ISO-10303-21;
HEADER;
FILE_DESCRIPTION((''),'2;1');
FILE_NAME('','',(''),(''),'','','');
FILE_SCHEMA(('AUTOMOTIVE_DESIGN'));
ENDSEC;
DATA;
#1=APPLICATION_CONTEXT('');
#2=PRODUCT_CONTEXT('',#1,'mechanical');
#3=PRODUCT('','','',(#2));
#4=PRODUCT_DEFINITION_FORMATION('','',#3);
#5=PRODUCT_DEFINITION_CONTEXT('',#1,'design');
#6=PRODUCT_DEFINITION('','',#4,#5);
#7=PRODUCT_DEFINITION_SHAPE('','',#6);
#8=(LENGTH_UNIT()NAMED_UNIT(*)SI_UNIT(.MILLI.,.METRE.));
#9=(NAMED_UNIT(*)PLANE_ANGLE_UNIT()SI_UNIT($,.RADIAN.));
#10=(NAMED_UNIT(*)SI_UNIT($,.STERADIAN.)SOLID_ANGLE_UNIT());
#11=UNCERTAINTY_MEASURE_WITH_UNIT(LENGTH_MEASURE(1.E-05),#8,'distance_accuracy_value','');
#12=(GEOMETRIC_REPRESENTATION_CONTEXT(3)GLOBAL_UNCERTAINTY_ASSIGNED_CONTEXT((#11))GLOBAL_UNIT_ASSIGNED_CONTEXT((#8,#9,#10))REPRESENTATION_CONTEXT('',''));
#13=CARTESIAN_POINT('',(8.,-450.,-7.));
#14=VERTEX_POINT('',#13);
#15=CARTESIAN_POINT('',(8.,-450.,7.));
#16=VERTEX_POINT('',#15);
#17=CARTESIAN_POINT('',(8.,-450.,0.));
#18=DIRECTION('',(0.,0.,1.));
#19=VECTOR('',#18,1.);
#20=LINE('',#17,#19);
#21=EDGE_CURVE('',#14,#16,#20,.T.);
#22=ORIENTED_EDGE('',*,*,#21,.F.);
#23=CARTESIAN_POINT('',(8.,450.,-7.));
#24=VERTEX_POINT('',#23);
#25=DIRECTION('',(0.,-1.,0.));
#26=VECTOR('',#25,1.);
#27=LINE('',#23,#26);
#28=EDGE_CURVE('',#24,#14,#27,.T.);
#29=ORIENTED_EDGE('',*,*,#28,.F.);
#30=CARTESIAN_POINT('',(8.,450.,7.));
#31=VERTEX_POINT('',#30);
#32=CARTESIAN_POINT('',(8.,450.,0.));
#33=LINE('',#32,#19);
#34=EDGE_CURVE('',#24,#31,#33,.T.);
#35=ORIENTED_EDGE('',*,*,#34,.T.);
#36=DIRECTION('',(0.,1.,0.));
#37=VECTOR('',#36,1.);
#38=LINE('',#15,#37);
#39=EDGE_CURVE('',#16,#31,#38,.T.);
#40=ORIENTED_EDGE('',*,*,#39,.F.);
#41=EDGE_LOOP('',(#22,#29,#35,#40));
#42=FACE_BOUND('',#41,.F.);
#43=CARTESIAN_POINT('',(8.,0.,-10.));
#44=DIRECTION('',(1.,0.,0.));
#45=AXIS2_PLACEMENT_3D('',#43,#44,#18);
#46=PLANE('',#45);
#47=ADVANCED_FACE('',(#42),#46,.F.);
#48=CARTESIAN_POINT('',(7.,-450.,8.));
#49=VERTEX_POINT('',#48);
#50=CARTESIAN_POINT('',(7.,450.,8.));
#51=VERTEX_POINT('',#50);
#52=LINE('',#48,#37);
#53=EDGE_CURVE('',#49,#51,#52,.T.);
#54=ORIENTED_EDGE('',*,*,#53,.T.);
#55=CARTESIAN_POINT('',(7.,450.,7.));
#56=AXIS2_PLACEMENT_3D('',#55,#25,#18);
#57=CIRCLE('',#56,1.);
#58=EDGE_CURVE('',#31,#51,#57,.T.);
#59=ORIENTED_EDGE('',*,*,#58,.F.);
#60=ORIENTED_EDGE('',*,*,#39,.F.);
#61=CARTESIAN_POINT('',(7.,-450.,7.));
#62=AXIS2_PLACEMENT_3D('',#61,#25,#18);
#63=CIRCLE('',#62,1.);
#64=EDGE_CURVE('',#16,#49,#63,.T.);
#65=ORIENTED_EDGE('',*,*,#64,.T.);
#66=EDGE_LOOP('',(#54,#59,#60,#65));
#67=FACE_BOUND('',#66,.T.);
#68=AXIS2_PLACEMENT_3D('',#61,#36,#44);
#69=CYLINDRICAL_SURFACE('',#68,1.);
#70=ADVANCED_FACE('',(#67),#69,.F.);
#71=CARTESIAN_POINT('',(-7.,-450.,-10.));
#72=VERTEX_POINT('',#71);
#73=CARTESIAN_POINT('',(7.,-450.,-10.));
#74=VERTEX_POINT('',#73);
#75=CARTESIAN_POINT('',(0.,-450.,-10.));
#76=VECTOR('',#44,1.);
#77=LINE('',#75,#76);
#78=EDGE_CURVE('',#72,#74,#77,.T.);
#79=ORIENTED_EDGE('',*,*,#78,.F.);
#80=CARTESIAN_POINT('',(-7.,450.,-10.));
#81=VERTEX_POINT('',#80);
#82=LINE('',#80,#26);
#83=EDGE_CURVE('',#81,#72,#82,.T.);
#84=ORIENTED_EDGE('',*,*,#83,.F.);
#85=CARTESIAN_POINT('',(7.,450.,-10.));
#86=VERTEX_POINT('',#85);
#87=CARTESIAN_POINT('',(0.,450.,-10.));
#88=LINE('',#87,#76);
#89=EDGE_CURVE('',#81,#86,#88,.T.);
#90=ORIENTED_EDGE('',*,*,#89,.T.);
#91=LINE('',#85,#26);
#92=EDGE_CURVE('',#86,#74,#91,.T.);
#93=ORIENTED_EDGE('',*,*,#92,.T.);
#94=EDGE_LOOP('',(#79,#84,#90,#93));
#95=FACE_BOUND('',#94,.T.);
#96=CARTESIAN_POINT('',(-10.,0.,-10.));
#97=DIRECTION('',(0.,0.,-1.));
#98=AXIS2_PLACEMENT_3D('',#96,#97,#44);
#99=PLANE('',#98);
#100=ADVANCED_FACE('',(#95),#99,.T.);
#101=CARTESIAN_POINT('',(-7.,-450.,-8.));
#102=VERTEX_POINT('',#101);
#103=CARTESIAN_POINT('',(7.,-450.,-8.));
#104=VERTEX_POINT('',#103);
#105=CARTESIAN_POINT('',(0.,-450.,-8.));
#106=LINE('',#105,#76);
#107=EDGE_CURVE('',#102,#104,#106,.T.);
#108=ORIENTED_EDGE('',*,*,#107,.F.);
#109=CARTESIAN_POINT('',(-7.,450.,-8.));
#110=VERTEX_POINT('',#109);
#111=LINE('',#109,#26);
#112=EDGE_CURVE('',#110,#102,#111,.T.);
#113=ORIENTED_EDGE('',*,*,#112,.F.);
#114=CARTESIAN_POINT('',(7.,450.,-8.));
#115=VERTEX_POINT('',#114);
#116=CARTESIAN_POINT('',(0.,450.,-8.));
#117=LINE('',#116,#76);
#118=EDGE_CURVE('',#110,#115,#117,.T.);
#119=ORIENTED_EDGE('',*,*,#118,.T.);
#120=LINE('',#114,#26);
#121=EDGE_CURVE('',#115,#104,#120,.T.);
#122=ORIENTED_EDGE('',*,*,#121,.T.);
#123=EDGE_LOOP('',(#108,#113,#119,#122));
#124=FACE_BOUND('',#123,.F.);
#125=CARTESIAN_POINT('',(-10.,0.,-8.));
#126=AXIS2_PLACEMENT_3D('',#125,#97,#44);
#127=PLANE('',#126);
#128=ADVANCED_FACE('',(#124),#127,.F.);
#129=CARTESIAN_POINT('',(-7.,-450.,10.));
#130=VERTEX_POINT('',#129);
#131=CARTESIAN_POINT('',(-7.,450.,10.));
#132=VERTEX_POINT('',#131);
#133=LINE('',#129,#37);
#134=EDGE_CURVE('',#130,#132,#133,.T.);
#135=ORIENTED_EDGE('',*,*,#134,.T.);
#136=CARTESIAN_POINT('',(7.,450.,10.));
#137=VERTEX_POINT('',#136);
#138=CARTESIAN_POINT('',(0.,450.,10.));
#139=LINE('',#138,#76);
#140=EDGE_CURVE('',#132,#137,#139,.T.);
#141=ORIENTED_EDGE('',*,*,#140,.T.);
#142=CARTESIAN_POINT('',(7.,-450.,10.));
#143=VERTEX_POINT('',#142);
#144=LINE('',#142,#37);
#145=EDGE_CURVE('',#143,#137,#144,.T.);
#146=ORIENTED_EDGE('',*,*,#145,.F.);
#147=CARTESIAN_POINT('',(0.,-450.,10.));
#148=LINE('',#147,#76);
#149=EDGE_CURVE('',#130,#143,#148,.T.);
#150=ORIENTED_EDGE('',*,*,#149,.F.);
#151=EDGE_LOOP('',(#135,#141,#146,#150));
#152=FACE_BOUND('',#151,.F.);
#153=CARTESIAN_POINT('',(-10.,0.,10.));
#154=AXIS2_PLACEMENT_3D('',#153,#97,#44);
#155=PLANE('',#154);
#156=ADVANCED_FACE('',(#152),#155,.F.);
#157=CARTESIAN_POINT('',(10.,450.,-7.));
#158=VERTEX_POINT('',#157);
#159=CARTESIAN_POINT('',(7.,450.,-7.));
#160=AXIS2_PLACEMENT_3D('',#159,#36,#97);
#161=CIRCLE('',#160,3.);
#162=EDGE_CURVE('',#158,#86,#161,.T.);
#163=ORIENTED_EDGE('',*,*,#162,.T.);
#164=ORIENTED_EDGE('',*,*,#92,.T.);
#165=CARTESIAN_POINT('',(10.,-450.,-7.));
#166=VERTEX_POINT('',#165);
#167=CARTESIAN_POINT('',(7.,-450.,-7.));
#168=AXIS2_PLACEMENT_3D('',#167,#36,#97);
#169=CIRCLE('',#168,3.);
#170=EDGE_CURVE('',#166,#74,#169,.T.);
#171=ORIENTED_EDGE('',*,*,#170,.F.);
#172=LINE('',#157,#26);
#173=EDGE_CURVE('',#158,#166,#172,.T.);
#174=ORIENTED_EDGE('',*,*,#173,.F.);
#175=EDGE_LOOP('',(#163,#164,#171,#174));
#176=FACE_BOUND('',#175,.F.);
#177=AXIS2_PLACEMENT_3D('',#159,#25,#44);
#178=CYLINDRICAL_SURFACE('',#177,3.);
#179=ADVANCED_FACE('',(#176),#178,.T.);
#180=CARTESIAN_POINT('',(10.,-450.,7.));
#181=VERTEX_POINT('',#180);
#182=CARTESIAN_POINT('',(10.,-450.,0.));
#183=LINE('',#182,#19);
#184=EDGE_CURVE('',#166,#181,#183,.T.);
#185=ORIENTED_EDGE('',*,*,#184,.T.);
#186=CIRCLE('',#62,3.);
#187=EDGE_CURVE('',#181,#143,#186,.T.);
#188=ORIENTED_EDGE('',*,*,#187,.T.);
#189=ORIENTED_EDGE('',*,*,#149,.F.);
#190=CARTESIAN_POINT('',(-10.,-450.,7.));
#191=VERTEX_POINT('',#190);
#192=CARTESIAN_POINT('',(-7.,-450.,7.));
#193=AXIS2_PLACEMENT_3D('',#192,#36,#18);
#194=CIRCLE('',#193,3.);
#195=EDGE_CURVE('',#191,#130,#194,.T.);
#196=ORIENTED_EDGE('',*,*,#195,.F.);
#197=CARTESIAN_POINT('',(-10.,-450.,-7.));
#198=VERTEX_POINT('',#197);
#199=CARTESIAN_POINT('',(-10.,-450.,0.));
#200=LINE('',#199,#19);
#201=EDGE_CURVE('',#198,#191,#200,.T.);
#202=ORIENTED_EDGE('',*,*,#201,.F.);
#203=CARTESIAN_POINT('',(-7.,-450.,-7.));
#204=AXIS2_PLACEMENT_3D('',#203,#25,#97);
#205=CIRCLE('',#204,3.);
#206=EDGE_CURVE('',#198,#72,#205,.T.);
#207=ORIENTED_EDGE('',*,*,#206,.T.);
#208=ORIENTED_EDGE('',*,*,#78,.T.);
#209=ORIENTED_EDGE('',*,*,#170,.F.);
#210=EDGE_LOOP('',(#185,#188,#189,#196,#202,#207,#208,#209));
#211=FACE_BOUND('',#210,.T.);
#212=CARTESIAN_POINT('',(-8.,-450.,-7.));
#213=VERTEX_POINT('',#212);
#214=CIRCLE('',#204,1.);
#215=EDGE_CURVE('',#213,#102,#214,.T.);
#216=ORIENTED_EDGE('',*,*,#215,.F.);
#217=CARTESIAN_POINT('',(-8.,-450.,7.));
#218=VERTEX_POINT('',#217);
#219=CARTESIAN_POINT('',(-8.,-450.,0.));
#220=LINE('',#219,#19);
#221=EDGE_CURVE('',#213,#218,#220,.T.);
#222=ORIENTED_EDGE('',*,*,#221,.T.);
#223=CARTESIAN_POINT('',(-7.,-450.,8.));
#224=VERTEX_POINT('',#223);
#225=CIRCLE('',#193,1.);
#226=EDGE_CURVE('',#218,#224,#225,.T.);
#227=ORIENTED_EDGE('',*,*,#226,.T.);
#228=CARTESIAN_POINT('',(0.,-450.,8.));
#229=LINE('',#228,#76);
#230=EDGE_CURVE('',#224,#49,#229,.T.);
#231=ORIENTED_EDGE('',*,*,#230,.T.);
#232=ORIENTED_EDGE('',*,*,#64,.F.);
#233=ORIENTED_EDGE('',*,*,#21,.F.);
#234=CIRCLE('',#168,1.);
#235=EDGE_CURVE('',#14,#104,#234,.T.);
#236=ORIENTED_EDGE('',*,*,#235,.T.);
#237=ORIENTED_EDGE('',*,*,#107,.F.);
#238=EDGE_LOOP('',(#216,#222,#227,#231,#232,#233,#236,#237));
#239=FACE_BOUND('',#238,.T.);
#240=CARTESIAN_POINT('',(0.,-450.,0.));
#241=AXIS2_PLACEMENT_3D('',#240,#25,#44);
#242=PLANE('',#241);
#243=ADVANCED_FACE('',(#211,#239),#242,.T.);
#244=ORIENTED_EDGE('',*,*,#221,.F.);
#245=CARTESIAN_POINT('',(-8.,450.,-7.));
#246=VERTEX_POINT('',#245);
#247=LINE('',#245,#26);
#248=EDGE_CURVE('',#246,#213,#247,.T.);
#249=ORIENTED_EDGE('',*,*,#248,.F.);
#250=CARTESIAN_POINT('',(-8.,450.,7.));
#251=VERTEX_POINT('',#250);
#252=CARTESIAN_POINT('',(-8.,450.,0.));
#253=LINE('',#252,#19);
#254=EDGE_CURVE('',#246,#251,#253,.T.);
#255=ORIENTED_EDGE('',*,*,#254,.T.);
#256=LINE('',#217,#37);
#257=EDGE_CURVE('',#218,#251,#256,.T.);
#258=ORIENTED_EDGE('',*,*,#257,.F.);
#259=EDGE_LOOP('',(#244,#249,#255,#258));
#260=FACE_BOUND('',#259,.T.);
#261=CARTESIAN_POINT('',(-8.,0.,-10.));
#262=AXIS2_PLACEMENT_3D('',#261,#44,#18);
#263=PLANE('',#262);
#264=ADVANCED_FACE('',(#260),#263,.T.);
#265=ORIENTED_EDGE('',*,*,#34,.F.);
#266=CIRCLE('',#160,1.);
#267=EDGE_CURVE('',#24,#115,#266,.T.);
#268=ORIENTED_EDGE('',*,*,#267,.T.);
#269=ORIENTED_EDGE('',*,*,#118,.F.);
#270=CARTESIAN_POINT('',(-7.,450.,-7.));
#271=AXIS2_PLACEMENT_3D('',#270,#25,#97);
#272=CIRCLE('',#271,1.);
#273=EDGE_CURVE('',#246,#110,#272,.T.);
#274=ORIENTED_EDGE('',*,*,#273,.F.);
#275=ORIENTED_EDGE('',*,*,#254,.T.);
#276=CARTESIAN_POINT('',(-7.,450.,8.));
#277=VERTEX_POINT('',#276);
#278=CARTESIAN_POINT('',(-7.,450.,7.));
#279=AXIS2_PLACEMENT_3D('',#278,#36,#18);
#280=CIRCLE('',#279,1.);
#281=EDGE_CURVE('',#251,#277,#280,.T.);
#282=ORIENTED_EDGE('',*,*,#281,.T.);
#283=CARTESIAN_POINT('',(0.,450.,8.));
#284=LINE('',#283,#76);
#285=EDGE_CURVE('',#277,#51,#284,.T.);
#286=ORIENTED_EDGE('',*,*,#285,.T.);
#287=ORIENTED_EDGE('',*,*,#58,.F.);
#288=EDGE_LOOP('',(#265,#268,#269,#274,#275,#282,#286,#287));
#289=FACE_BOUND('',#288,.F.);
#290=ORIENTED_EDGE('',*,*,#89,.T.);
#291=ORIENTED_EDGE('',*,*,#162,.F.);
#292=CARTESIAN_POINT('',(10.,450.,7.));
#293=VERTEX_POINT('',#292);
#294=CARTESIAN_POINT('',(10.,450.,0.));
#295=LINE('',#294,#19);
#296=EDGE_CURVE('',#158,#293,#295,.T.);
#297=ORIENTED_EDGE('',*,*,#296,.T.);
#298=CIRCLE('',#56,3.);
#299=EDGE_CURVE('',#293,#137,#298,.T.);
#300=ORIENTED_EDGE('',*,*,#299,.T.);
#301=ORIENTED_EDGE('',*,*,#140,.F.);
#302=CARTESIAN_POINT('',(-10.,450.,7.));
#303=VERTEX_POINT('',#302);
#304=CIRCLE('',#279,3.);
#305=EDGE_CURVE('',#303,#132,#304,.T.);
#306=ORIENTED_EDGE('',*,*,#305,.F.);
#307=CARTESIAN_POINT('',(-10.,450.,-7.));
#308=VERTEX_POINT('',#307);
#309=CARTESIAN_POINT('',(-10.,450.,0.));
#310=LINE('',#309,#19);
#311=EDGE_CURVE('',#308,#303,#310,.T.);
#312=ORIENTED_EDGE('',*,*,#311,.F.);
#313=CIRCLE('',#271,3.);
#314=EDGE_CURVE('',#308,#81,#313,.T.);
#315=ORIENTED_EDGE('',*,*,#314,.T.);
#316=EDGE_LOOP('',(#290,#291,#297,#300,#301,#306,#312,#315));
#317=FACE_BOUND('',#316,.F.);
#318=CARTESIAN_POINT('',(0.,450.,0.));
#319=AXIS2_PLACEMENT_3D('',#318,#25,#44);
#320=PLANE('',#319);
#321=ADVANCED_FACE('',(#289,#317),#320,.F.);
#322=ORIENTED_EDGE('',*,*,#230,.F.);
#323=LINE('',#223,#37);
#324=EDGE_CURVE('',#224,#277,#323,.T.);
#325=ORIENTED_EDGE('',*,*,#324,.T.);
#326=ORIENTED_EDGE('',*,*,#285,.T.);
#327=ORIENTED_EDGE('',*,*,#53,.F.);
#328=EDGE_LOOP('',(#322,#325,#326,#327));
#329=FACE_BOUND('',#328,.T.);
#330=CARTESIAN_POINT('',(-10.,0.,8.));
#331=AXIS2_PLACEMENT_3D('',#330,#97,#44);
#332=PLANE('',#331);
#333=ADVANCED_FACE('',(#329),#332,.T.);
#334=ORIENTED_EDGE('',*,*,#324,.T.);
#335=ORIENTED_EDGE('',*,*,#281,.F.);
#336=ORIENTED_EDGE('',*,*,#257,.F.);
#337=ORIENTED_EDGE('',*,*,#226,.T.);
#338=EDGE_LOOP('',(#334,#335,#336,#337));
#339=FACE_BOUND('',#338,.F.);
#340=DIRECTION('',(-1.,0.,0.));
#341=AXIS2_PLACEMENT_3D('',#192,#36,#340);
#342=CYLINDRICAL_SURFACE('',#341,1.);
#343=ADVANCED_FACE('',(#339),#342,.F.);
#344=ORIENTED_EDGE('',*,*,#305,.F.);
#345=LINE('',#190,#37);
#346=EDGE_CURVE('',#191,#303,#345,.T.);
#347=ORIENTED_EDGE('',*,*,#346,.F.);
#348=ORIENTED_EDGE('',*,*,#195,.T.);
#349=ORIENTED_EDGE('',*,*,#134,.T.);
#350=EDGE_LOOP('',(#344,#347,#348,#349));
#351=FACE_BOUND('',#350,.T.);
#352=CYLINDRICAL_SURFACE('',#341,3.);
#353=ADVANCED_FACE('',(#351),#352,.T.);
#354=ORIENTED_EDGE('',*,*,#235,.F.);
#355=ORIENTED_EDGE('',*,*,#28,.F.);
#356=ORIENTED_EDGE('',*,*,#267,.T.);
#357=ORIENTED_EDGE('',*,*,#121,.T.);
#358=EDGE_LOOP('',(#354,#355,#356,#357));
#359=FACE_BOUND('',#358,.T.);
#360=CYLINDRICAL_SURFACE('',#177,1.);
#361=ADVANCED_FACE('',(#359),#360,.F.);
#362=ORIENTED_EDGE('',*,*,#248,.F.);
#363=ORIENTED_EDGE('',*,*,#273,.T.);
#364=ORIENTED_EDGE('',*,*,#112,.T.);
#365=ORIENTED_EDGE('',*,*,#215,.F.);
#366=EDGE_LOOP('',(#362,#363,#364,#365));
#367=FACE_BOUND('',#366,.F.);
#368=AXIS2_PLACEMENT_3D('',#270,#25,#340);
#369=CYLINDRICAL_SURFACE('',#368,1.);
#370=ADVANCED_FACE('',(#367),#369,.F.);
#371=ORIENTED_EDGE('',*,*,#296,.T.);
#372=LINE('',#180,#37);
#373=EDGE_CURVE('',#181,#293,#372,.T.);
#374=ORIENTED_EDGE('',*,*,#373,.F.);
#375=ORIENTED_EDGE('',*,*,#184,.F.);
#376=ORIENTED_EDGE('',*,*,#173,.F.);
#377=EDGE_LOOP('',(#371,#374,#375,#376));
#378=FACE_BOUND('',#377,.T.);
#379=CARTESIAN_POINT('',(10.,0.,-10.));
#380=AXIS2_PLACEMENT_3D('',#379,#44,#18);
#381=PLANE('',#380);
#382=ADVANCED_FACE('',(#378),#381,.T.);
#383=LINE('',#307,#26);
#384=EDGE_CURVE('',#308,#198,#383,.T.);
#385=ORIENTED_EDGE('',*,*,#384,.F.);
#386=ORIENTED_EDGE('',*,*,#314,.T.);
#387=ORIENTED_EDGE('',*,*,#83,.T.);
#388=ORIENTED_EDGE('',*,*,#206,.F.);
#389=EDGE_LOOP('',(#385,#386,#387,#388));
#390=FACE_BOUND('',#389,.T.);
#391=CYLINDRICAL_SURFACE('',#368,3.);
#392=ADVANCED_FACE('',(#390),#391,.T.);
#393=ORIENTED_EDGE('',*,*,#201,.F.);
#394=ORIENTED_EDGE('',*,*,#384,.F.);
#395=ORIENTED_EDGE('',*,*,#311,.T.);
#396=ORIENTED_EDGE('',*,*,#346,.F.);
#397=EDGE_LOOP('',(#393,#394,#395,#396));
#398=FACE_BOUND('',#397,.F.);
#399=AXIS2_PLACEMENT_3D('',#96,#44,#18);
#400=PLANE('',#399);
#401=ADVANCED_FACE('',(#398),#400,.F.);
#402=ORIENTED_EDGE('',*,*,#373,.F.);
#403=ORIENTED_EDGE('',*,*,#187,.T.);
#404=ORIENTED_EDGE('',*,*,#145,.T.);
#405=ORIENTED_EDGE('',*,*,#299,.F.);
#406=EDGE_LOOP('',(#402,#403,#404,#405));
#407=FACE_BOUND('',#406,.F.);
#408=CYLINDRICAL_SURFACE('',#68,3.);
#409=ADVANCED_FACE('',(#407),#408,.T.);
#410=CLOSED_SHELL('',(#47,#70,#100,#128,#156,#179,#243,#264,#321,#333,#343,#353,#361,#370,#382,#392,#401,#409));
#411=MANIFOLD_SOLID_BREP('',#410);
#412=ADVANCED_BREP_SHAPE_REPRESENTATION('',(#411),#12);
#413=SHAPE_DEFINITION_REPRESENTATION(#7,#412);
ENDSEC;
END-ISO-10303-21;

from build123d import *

# Parameters (mm, degrees)
F2_W     = 20
F2_H     = 20
F3_DEPTH = 450
F4_R     = 3
F5_T     = -2


with BuildPart() as f3:
    # F2 (on Front) → F3 (new body, symmetric)
    with BuildSketch(Plane.XZ):
        Rectangle(F2_W, F2_H)
    extrude(amount=F3_DEPTH, both=True)

    # F4
    f4_edges = [f3.edges().sort_by_distance(p)[0] for p in [
        (10, 0, 10),
        (-10, 0, 10),
        (10, 0, -10),
        (-10, 0, -10),
    ]]
    fillet(f4_edges, radius=F4_R)

    # F5
    f5_openings = [f3.faces().sort_by_distance(p)[0] for p in [
        (0, -450, 0),
        (0, 450, 0),
    ]]
    offset(amount=F5_T, openings=f5_openings)


solid = f3.part
